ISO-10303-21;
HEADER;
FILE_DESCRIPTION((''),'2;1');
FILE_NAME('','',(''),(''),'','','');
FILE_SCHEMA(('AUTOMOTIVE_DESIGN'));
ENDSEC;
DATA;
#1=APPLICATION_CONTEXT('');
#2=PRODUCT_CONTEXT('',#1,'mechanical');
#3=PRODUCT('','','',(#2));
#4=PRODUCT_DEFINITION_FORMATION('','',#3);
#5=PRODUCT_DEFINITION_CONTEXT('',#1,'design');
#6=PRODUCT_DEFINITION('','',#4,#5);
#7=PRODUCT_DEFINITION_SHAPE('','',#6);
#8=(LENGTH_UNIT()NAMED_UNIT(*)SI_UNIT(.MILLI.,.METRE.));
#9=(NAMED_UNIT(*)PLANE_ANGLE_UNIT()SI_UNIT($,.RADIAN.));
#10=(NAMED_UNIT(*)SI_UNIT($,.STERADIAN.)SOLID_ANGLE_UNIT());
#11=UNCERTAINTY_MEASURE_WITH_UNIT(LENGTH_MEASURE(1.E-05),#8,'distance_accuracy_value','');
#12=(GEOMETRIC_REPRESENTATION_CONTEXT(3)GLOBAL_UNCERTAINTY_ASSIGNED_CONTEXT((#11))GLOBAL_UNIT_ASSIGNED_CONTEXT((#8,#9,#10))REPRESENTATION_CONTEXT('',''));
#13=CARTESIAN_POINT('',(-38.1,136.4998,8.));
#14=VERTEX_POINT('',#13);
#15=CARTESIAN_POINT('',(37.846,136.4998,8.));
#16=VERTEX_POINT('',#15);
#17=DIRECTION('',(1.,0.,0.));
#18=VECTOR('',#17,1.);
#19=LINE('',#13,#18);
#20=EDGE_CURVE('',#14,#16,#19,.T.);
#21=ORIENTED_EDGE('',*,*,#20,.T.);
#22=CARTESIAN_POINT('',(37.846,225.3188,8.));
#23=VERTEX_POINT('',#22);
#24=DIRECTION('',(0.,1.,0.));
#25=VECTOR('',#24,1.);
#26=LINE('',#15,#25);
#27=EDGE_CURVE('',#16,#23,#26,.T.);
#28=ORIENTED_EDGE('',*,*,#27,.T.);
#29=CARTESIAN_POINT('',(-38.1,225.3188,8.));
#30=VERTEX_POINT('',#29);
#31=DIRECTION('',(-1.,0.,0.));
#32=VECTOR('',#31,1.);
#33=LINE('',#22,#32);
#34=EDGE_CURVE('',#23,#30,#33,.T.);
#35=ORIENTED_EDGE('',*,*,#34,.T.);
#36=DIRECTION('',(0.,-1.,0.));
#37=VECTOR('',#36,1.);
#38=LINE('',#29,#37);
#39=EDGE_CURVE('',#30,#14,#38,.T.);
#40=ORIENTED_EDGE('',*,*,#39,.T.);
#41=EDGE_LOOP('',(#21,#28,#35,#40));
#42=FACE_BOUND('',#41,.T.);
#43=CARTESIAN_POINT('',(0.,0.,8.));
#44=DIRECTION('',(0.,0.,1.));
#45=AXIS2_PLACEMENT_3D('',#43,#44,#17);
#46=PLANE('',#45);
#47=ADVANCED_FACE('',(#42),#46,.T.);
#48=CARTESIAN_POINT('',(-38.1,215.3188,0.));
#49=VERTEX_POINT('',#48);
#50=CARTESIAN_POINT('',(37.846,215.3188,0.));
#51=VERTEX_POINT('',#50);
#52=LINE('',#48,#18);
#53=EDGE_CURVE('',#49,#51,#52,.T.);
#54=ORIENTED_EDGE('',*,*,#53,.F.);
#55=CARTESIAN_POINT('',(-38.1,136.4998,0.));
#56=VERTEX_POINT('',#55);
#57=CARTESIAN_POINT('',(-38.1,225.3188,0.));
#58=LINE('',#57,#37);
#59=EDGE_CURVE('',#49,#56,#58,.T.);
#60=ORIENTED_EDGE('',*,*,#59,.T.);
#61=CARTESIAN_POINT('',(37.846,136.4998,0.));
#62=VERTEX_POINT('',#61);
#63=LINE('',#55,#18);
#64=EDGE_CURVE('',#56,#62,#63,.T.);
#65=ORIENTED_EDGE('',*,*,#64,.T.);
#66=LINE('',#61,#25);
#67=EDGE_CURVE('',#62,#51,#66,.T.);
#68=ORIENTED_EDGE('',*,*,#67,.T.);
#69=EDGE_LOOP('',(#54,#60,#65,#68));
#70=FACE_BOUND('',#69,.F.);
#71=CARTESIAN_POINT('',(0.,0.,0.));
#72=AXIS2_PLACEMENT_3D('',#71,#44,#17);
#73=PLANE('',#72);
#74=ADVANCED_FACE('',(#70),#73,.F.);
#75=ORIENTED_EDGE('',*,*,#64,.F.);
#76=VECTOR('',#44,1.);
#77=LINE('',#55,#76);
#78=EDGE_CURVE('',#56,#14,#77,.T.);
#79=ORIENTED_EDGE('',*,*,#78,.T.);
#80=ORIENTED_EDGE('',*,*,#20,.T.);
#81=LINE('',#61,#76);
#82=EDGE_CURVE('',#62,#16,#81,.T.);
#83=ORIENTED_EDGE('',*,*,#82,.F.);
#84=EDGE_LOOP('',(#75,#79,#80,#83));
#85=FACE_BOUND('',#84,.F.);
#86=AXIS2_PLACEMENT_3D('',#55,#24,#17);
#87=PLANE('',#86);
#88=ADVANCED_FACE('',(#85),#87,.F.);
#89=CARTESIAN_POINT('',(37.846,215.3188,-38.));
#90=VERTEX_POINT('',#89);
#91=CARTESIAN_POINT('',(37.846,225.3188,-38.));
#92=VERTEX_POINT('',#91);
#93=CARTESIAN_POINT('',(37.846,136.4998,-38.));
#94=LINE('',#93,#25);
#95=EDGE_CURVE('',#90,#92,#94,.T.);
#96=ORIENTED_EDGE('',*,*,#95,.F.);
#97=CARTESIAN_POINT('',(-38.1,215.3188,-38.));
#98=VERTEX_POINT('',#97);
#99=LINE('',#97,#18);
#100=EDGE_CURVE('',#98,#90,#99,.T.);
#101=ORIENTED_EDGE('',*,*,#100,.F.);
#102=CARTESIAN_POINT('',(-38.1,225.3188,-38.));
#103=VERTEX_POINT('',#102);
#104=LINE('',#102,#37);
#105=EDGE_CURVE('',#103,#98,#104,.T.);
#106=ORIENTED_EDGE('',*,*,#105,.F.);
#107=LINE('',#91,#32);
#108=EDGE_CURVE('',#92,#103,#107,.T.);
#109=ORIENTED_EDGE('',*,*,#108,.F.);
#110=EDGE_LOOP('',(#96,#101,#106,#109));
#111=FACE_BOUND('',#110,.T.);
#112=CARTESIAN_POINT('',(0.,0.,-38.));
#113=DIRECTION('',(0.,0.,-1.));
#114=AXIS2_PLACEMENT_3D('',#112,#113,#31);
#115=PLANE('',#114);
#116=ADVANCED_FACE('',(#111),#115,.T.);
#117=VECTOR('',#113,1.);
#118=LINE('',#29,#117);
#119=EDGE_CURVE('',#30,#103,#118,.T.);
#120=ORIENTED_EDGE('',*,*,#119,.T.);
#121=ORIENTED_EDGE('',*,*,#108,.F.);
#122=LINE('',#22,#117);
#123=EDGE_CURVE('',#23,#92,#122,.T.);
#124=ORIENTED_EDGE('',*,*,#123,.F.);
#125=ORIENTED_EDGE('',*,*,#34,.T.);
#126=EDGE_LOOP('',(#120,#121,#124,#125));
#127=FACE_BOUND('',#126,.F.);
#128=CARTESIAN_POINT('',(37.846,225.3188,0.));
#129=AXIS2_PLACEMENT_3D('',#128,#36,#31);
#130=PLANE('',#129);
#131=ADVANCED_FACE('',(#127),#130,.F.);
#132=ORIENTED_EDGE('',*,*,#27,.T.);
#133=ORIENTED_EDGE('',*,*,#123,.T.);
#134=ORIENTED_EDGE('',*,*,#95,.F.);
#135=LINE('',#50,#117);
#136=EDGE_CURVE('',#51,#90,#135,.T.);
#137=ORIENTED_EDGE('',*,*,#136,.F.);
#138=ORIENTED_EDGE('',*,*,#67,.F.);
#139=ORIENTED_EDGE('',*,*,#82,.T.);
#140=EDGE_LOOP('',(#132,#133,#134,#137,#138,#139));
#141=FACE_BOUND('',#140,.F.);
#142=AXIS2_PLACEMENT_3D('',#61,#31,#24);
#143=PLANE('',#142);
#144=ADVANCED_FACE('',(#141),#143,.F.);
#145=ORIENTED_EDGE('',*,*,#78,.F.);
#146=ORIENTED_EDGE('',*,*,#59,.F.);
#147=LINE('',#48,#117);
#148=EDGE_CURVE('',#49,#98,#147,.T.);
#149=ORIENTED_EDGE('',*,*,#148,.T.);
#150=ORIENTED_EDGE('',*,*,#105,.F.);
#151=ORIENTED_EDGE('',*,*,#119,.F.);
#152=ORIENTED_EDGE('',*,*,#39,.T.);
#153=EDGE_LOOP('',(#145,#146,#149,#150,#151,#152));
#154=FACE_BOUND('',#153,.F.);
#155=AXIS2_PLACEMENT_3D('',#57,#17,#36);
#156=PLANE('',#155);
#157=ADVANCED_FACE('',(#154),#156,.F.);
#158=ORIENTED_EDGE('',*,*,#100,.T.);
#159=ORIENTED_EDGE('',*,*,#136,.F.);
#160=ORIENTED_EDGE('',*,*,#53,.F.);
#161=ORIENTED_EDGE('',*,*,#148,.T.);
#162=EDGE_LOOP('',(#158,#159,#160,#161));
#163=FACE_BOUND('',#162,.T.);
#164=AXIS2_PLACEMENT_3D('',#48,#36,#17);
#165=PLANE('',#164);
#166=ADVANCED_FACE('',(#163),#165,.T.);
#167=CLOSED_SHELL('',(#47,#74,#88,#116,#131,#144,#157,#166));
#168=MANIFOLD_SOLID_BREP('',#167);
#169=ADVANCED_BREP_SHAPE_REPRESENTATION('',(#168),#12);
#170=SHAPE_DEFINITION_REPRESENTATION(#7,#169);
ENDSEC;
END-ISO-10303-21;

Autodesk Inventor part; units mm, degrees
ref_plane "YZ Plane" through (0, 0, 0) normal (1, 0, 0) x (0, 1, 0)
ref_plane "XZ Plane" through (0, 0, 0) normal (0, 1, 0) x (-1, 0, 0)
ref_plane "XY Plane" through (0, 0, 0) normal (0, 0, 1) x (1, 0, 0)
sketch "Sketch1" plane through (0, 0, 0) normal (0, 0, 1) x (1, 0, 0)
  line L0 (20.828, 60.2998) -> (-20.828, 60.2998) construction
  line L1 (-38.1, 60.2998) -> (-38.1, 136.4998) construction
  line L2 (-38.1, 136.4998) -> (-20.828, 136.4998) construction
  line L3 (38.1, 136.4998) -> (-38.1, 136.4998) construction
  line L4 (37.846, 60.2998) -> (37.846, 136.4998) construction
  line L5 (-20.828, 47.6808) -> (-38.1, 47.6808) construction
  line L6 (-38.1, 136.4998) -> (37.846, 136.4998)
  line L7 (37.846, 136.4998) -> (37.846, 225.3188)
  line L8 (37.846, 225.3188) -> (-38.1, 225.3188)
  line L9 (-38.1, 225.3188) -> (-38.1, 136.4998)
  point P0 (0, 0)
extrude "Extrusion1" add sketch "Sketch1" along normal blind 8
sketch "Sketch2" plane through (0, 0, 0) normal (0, 0, -1) x (-1, 0, 0)
  line L0 (-37.846, 136.4998) -> (-37.846, 225.3188) projected
  line L1 (38.1, 225.3188) -> (38.1, 136.4998) projected
  line L2 (-37.846, 225.3188) -> (38.1, 225.3188)
  line L3 (38.1, 225.3188) -> (38.1, 215.3188)
  line L4 (38.1, 215.3188) -> (-37.846, 215.3188)
  line L5 (-37.846, 215.3188) -> (-37.846, 225.3188)
  point P0 (0, 0)
  dimension "d2" = 10
extrude "Extrusion2" add sketch "Sketch2" along normal blind 38
properties part number "MountingBracket"
